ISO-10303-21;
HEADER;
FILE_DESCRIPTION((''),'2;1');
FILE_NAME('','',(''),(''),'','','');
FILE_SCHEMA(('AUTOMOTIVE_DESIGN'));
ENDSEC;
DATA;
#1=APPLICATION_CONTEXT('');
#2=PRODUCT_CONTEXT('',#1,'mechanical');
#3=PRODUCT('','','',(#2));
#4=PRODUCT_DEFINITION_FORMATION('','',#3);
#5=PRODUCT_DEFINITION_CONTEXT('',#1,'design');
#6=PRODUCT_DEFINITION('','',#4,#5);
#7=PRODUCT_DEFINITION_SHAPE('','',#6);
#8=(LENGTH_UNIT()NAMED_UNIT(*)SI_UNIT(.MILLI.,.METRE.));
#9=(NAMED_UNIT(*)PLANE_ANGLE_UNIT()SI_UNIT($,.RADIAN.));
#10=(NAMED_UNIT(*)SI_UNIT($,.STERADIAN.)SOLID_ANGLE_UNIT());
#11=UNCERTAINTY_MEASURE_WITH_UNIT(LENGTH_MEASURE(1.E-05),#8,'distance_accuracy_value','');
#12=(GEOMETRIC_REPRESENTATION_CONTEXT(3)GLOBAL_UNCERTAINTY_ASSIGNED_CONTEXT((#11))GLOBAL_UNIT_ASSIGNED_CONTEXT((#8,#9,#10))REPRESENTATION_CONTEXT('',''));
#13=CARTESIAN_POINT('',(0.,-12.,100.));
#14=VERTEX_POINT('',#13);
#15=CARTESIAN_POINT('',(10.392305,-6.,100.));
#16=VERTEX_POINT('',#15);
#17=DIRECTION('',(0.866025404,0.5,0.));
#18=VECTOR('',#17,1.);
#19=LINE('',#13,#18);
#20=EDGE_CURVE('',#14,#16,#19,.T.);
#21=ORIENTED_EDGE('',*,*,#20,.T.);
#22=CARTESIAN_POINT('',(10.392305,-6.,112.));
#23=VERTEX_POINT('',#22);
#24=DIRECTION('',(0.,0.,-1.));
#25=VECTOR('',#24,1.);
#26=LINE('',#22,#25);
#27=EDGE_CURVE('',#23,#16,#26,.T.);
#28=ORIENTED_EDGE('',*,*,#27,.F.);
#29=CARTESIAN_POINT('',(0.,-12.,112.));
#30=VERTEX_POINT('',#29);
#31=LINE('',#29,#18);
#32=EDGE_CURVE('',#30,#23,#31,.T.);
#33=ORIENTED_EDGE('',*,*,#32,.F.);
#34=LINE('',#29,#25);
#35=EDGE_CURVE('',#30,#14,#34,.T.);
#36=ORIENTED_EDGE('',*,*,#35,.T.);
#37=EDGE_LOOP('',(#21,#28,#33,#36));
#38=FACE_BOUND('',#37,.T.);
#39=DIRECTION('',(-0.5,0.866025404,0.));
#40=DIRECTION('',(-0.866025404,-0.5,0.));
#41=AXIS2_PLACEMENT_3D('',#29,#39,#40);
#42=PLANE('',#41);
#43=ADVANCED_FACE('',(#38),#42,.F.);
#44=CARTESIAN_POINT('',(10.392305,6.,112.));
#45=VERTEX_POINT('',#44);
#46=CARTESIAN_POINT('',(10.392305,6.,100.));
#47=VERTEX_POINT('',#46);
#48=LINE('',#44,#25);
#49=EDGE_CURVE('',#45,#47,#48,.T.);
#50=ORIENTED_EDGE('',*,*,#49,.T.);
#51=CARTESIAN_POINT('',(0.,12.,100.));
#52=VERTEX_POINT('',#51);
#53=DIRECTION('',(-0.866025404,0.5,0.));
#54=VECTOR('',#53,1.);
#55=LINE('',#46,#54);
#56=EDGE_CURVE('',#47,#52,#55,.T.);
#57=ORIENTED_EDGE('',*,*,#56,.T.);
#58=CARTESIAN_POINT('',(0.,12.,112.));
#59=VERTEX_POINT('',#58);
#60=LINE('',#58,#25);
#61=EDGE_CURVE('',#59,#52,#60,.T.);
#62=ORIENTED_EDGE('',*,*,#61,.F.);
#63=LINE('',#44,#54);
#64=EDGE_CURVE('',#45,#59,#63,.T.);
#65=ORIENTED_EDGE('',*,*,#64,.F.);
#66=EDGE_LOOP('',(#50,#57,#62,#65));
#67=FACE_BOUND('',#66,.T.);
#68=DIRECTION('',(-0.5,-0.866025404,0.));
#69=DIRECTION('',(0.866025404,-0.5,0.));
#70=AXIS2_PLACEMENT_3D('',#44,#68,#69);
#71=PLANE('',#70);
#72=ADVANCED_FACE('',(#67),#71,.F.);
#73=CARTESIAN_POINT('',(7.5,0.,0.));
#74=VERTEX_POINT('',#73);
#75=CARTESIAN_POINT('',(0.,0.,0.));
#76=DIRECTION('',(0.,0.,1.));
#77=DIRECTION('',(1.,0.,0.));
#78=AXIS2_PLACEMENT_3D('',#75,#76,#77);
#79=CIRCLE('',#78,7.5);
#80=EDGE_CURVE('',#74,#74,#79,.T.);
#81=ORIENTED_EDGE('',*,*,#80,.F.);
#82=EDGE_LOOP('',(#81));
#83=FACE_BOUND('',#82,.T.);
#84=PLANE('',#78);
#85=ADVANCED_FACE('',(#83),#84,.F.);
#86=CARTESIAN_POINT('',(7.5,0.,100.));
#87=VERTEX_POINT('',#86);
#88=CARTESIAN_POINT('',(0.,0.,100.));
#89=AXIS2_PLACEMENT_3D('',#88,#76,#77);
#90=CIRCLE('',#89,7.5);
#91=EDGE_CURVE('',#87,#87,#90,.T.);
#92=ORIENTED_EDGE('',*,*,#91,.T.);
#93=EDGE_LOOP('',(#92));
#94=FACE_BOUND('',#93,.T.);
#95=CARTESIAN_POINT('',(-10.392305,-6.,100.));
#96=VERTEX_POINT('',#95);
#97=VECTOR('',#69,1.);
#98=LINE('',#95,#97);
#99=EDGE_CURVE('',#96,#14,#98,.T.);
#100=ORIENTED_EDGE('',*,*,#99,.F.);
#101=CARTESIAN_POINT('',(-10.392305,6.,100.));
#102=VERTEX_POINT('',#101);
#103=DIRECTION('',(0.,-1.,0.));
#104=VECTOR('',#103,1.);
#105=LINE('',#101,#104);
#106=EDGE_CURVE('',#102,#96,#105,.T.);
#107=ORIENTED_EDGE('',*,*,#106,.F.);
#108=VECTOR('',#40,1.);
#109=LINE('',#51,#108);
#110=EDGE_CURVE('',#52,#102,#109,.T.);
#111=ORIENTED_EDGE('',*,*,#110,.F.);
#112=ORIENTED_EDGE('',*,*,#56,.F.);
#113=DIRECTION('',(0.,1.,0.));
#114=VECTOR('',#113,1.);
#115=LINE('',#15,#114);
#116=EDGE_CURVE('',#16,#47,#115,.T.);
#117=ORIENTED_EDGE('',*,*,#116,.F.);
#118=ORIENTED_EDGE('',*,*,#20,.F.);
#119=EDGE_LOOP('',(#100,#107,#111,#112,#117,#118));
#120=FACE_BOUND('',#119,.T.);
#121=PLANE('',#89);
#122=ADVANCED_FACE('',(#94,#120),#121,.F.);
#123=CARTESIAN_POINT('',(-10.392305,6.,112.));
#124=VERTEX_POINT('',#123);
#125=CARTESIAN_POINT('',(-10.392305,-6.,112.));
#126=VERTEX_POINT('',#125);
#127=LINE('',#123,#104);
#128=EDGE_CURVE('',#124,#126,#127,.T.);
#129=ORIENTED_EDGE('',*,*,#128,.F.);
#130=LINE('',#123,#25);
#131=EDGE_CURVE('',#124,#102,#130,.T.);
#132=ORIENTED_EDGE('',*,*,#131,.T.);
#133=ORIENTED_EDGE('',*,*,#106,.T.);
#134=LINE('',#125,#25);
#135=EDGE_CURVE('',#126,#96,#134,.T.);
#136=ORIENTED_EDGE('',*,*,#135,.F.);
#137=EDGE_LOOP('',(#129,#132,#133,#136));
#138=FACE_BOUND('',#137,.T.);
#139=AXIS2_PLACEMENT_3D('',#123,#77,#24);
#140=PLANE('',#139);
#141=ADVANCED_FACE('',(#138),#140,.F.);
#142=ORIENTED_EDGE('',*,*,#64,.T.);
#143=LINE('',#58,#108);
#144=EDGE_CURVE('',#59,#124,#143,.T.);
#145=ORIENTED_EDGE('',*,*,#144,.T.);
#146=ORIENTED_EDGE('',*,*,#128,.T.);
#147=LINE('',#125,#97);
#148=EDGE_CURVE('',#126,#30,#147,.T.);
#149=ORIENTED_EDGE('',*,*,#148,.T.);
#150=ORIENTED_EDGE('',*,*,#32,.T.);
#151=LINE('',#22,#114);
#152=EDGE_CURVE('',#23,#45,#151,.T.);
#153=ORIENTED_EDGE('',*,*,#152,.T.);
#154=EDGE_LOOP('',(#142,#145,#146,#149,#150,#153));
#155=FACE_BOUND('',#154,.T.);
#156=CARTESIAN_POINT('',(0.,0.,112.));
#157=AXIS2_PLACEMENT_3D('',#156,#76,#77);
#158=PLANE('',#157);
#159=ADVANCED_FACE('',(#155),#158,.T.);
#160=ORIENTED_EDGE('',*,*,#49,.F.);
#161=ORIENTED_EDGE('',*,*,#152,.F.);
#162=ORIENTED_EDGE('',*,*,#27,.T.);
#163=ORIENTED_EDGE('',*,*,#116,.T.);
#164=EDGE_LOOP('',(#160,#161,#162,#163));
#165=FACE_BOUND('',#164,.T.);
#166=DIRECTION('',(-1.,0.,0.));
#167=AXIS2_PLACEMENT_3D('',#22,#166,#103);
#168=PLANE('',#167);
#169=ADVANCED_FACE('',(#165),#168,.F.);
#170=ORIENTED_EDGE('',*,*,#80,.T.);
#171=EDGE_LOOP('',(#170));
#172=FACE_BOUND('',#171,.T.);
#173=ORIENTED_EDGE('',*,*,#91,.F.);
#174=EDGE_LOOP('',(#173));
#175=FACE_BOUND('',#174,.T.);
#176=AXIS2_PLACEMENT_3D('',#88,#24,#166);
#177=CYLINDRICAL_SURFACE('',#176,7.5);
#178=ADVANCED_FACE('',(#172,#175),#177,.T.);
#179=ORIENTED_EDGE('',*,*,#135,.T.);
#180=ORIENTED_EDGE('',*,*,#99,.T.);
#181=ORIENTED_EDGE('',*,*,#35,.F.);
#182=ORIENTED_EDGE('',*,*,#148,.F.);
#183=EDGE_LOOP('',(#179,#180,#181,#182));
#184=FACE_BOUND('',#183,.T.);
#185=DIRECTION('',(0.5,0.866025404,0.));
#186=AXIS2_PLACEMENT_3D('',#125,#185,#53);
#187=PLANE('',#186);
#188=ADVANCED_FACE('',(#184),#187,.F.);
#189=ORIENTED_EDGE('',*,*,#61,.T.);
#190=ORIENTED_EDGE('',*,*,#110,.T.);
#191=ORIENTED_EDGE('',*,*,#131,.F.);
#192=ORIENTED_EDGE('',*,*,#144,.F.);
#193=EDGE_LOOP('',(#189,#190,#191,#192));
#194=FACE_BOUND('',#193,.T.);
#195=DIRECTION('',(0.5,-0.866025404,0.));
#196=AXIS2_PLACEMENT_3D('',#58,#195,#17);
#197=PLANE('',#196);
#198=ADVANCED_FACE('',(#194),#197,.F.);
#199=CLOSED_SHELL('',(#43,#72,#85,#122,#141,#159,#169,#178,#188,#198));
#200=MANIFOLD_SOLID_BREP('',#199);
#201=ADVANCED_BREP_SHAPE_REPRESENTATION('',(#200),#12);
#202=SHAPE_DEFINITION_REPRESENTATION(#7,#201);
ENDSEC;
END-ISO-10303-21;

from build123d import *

# Parameters (mm, degrees)
SKETCH1_R           = 7.5
BOSS_EXTRUDE1_DEPTH = 100
BOSS_EXTRUDE2_DEPTH = 12


with BuildPart() as part:
    # Sketch1 → Boss-Extrude1 (new body)
    with BuildSketch(Plane.XY):
        Circle(SKETCH1_R)
    extrude(amount=BOSS_EXTRUDE1_DEPTH)

    # Sketch2 → Boss-Extrude2 (add)
    with BuildSketch(Plane.XY.offset(100)):
        Polygon((0, -12), (10.392304845, -6), (10.392304845, 6), (0, 12), (-10.392304845, 6), (-10.392304845, -6), align=None)
    extrude(amount=BOSS_EXTRUDE2_DEPTH)


solid = part.part
